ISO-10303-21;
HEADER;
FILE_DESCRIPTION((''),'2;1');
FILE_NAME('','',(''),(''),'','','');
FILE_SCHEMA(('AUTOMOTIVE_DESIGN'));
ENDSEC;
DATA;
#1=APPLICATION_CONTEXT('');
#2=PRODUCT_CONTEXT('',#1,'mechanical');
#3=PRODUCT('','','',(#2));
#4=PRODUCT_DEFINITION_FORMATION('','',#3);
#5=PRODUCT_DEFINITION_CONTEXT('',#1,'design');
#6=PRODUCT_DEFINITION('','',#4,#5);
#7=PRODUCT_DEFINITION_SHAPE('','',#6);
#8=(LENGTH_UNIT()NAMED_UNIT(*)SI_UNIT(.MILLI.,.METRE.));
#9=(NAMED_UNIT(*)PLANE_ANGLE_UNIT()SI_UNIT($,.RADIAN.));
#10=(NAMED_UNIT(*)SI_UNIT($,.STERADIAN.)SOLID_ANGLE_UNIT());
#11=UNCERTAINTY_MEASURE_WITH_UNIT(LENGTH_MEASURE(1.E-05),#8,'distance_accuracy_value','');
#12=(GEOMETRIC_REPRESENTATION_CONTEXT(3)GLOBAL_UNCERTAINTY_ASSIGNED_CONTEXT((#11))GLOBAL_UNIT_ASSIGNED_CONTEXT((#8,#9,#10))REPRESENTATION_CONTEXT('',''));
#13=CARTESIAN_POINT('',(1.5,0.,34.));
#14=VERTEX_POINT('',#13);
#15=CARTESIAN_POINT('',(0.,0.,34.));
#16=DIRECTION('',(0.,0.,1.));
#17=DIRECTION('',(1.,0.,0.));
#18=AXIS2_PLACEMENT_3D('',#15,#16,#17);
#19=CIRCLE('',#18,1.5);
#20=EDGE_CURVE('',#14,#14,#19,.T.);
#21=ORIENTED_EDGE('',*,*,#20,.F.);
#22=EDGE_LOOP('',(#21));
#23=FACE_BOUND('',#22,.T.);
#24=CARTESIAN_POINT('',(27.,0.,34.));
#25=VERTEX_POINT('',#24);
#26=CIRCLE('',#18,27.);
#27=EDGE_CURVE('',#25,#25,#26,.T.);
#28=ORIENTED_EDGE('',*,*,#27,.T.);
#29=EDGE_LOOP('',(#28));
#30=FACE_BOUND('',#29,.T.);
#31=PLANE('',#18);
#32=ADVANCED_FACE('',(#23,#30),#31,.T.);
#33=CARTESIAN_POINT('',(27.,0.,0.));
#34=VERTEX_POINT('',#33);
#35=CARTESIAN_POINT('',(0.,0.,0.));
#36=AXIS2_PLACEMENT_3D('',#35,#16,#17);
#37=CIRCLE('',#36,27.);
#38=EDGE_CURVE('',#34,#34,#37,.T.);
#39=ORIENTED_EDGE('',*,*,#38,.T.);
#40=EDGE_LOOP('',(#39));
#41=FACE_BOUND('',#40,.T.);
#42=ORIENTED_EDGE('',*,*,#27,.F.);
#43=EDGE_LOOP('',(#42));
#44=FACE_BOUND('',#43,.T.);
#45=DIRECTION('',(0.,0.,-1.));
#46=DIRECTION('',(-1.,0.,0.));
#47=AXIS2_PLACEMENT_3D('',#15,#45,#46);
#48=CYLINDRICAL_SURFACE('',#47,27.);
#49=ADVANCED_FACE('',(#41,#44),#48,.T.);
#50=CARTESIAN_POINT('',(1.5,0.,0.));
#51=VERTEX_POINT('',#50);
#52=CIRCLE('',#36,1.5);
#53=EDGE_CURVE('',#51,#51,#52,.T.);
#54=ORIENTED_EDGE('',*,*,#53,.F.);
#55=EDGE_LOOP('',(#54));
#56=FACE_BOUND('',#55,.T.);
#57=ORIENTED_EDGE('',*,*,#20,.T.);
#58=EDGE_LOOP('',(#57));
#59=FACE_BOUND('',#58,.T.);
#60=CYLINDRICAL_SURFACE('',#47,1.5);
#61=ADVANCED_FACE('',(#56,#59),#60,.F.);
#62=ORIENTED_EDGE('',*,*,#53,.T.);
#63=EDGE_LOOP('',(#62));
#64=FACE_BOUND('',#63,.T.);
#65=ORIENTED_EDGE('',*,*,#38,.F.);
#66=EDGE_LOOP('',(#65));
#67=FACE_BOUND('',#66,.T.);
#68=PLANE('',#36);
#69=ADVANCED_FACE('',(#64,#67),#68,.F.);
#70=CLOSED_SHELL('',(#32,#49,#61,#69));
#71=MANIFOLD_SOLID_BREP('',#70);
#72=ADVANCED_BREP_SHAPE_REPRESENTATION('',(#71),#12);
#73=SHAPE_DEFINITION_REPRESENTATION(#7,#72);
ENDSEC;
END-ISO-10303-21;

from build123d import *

# Parameters (mm, degrees)
CROQUIS1_R              = 27
CROQUIS1_R_2            = 1.5
SALIENTE_EXTRUIR1_DEPTH = 34


with BuildPart() as part:
    # Croquis1 → Saliente-Extruir1 (new body)
    with BuildSketch(Plane.XY):
        Circle(CROQUIS1_R)
        Circle(CROQUIS1_R_2, mode=Mode.SUBTRACT)
    extrude(amount=SALIENTE_EXTRUIR1_DEPTH)


solid = part.part
